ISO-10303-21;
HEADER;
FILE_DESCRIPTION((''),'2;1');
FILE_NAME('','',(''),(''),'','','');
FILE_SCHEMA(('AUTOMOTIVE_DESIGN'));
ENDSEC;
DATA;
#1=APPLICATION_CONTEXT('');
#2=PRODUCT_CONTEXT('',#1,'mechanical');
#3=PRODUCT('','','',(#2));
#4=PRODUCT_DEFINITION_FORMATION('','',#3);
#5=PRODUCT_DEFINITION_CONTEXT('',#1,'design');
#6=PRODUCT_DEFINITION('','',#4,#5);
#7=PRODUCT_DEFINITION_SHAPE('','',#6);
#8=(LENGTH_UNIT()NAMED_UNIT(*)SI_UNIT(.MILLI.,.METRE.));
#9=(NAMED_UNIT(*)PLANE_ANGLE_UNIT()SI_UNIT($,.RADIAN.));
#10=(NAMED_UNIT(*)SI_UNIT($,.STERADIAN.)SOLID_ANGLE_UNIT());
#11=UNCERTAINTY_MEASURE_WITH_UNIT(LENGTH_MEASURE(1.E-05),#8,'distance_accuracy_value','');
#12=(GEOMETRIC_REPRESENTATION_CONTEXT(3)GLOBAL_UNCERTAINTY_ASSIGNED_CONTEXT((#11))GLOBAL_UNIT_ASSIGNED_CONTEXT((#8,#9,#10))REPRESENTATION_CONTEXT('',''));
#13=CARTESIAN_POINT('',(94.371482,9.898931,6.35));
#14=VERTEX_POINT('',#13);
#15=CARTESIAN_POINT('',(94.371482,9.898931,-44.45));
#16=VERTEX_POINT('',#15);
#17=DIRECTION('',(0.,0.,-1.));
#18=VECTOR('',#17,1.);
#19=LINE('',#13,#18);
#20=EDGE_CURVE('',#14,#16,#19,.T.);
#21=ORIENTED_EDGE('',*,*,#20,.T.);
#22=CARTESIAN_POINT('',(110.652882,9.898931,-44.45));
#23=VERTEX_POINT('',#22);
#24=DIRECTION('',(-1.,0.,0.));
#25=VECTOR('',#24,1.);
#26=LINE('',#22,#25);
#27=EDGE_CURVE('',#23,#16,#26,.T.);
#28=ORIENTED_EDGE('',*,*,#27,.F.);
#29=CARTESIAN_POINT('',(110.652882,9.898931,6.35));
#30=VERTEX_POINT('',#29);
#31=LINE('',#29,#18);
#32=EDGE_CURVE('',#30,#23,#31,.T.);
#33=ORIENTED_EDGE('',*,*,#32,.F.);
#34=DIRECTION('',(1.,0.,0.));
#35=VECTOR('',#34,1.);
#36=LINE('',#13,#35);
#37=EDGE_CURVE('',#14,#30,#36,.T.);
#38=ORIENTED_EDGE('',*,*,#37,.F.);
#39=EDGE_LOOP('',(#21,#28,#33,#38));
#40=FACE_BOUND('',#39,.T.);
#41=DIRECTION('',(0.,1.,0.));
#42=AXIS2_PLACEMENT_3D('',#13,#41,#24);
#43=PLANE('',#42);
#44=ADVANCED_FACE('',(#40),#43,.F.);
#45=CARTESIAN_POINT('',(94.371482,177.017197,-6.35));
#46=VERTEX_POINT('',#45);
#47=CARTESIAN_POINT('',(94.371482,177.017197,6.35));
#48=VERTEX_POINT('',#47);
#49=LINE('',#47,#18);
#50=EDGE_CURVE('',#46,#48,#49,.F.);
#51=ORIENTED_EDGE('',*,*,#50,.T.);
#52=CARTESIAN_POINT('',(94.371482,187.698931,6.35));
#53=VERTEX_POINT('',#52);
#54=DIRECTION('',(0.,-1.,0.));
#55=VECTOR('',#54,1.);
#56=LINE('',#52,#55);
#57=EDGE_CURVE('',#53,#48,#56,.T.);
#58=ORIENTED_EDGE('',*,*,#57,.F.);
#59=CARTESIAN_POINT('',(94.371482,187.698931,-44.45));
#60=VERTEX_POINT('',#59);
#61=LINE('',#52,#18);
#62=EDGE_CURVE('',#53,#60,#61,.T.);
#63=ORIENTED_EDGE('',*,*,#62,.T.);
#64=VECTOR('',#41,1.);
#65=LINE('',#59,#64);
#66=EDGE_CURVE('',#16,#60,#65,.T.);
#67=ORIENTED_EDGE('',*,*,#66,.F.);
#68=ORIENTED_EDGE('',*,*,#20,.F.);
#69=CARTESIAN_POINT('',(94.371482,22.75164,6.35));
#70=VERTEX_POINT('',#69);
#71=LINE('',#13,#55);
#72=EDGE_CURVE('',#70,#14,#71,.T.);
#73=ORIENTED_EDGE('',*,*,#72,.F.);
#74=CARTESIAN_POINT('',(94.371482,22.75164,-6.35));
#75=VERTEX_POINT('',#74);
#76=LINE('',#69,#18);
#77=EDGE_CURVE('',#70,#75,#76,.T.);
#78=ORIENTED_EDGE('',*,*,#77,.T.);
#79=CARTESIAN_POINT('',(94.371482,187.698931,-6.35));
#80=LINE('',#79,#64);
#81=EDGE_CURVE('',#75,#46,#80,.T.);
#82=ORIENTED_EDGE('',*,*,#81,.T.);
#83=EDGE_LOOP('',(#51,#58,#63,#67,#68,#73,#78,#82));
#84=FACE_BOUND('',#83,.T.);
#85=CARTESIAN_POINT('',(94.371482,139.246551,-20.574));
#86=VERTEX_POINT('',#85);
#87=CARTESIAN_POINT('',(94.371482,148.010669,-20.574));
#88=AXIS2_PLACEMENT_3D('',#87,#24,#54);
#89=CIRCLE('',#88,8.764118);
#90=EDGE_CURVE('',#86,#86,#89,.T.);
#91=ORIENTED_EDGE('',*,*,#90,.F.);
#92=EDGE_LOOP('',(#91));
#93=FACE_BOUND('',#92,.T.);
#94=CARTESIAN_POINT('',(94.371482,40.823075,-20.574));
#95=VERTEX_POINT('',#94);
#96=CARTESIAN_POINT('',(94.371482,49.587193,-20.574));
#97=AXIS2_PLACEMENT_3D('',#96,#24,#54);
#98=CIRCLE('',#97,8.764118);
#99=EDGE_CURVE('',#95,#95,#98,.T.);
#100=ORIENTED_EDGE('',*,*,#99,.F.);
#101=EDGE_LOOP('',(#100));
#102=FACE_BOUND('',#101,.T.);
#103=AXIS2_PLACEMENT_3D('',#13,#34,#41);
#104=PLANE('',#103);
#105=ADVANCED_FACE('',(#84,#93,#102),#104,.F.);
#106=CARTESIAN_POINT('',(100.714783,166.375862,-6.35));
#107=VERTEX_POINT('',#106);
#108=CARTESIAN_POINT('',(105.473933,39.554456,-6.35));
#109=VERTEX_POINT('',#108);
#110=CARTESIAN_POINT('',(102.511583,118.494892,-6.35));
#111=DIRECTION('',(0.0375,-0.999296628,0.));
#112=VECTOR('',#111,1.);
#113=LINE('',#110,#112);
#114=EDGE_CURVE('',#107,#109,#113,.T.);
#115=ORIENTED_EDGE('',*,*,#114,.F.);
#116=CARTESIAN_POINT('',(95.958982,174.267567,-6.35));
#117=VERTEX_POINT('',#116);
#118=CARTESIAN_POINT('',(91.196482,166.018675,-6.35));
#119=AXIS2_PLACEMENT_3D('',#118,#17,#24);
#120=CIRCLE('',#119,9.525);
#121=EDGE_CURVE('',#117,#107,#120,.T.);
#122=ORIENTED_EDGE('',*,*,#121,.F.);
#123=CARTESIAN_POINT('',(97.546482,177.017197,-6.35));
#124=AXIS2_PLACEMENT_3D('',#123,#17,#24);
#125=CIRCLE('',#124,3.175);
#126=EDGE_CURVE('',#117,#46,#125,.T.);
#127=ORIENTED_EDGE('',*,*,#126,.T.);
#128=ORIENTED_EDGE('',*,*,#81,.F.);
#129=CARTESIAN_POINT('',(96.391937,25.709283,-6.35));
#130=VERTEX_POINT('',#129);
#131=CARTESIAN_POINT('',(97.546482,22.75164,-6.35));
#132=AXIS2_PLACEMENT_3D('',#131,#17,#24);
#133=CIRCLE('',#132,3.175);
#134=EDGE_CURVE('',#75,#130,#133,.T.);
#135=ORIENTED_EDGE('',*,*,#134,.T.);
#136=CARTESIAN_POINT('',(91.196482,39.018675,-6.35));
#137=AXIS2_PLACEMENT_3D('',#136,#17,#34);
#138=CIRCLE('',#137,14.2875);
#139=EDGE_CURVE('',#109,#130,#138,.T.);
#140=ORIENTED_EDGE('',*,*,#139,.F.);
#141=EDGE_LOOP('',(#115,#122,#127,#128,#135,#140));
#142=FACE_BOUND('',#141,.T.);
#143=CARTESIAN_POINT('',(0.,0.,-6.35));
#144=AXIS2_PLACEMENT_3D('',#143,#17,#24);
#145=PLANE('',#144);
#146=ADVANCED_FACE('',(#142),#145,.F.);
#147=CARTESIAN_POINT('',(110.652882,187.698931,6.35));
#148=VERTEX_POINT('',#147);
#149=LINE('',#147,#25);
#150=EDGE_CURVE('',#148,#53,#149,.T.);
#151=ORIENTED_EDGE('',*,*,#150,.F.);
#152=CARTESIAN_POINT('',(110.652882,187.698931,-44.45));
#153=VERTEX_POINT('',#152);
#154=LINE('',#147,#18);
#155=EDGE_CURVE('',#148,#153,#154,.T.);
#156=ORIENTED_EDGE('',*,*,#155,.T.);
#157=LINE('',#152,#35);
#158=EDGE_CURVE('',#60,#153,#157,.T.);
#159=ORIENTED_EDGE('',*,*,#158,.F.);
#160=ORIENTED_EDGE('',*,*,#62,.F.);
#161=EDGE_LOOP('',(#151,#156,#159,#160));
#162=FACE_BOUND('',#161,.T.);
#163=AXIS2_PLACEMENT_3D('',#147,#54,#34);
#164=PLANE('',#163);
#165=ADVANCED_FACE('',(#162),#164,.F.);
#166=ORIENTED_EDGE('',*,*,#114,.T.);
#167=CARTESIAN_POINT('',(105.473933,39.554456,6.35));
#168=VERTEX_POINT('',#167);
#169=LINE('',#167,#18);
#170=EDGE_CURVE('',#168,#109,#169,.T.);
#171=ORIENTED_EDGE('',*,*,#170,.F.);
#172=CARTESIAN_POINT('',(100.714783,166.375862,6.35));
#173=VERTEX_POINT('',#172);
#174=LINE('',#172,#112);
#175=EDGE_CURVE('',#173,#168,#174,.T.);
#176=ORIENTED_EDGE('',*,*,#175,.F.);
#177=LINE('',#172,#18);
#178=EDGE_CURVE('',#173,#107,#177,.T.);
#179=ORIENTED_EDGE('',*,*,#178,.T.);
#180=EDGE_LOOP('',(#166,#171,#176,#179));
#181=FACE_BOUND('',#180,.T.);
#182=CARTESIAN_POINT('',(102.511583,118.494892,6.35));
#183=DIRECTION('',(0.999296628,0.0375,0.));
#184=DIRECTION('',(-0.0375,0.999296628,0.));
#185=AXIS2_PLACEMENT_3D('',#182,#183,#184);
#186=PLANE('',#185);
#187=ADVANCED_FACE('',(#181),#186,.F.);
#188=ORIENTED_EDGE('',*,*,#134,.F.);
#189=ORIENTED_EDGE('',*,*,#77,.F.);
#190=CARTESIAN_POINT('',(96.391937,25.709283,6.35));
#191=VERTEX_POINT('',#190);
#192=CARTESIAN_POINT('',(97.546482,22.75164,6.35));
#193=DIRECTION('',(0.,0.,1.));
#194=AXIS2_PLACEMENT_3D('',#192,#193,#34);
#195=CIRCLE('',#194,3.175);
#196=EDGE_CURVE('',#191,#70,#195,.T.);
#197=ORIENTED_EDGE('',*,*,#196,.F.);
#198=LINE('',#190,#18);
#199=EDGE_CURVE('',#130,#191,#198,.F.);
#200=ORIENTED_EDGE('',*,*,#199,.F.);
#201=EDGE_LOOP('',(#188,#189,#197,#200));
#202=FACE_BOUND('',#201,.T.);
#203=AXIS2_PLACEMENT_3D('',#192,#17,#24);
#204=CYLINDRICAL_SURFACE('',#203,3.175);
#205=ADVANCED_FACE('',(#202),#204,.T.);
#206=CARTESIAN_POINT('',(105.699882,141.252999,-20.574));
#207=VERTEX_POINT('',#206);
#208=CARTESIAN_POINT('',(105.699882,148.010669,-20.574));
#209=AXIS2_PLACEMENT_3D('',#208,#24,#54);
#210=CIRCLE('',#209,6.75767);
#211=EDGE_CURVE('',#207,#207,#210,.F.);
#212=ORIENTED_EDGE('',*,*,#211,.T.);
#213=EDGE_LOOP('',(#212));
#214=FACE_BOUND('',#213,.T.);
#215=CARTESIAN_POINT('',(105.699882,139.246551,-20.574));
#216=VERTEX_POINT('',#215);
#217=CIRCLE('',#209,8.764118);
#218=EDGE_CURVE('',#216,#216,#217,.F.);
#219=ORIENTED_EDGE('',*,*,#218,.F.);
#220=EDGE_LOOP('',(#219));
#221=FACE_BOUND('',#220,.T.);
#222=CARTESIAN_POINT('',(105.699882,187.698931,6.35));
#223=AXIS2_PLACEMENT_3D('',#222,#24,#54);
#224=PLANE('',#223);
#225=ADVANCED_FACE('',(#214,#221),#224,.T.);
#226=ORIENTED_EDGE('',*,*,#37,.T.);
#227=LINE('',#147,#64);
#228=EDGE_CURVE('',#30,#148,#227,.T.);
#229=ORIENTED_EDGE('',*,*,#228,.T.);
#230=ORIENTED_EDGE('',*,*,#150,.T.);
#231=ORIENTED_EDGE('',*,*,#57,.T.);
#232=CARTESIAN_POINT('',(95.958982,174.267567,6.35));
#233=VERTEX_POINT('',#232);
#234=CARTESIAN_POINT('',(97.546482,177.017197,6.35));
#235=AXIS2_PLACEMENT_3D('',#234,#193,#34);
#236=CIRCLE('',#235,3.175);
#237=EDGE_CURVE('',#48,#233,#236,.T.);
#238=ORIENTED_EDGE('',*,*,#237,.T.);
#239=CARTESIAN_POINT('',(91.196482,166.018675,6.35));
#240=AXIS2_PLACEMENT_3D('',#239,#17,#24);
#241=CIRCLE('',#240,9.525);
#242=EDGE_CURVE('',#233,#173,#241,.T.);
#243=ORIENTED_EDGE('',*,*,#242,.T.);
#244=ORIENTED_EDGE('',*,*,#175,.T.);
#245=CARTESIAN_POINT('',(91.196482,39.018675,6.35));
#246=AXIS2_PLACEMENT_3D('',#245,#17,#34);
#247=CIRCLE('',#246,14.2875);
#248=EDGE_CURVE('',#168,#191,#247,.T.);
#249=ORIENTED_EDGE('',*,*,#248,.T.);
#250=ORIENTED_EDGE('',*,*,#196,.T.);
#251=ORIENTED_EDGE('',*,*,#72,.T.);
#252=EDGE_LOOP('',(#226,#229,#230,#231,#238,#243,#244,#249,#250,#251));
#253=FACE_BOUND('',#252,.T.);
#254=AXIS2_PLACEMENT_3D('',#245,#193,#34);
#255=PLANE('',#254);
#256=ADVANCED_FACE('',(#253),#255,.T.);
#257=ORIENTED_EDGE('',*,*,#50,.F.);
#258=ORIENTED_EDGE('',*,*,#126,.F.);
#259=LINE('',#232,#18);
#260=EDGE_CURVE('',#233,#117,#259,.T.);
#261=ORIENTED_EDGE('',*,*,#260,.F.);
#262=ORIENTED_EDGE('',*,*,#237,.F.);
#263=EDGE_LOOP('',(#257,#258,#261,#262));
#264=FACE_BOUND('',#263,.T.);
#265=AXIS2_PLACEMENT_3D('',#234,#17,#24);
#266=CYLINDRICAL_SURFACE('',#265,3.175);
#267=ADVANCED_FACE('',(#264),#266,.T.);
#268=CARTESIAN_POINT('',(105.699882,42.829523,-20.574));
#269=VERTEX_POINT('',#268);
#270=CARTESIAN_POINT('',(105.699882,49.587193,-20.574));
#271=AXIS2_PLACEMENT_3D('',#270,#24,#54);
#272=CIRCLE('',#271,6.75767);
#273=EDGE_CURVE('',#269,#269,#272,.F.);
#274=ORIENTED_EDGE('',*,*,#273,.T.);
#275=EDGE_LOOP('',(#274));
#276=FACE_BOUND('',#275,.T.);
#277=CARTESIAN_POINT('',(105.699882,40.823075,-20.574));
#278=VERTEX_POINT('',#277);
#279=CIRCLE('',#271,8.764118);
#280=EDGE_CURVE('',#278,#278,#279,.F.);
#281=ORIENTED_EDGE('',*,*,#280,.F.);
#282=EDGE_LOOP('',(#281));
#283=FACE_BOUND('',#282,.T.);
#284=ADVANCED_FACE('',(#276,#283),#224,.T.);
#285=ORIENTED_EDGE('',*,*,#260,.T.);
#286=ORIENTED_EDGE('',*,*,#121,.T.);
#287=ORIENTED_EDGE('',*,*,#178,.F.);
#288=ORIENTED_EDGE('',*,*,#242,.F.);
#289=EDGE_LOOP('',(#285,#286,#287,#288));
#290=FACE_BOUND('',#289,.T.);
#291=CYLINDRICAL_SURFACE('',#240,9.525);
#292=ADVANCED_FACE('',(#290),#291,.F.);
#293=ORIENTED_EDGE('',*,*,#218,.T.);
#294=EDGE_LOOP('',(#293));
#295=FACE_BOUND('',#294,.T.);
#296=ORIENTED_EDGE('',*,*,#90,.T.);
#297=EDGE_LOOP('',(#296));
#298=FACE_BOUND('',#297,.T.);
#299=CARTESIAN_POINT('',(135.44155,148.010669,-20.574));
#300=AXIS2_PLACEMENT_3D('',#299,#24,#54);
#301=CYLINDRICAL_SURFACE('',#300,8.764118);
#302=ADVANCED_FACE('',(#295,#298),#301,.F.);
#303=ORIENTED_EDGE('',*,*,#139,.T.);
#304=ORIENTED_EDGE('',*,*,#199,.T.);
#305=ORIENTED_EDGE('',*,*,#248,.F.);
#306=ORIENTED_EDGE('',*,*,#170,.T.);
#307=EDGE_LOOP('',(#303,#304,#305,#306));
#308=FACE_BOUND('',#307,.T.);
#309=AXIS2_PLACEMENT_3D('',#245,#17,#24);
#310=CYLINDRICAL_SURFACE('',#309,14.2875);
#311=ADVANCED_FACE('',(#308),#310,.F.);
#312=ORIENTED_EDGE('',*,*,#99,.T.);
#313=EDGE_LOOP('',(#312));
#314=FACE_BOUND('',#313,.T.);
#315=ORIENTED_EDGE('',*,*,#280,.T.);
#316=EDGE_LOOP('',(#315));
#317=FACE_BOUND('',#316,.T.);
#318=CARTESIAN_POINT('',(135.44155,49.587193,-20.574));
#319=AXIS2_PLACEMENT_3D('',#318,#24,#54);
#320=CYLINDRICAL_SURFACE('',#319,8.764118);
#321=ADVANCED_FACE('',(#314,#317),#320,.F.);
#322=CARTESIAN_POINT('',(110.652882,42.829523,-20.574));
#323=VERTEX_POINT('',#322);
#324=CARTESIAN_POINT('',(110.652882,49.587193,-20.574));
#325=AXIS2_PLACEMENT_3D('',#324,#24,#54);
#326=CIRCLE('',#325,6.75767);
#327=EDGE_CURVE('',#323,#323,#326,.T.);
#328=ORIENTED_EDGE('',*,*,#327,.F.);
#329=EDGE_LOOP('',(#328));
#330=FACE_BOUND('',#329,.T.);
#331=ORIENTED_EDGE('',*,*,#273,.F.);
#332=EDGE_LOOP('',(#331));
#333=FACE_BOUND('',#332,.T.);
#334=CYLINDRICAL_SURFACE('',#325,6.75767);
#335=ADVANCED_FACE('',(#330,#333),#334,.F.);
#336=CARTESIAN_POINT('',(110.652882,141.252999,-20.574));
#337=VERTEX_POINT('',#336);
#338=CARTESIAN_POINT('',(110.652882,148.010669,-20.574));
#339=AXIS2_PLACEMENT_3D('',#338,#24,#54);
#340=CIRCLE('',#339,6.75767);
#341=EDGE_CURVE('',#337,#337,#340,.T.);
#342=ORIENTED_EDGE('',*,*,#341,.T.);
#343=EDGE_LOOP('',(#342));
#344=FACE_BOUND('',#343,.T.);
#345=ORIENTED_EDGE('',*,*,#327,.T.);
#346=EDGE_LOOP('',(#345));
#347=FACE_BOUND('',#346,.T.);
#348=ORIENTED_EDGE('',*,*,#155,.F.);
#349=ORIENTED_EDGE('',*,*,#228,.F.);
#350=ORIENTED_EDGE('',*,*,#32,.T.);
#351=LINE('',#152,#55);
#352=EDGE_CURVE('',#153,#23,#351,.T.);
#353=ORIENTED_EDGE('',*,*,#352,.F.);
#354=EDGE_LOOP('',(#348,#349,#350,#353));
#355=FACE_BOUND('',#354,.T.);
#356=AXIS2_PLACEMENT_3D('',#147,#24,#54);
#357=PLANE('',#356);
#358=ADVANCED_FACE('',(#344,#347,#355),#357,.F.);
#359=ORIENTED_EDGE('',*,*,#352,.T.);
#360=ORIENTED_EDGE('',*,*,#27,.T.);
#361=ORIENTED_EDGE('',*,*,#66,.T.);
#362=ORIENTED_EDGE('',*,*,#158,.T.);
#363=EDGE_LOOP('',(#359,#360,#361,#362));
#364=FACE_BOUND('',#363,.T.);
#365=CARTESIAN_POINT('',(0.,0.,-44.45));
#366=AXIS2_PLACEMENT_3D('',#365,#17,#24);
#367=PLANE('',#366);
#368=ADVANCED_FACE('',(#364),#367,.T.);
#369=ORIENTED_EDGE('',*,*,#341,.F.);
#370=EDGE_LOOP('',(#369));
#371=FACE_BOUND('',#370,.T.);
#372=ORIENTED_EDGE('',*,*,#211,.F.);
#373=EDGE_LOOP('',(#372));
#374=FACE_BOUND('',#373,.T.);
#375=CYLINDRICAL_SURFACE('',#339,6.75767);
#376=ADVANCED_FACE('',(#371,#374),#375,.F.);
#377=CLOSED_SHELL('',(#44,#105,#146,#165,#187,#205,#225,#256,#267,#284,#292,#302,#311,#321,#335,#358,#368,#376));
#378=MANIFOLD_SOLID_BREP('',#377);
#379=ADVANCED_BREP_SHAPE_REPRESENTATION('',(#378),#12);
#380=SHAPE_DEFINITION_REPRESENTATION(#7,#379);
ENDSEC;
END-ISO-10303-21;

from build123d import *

# Parameters (mm, degrees)
BOSS_EXTRUDE1_DEPTH = 6.35
SKETCH3_W           = 16.2814
SKETCH3_H           = 177.8
BOSS_EXTRUDE2_DEPTH = 38.1
SKETCH5_R           = 6.75767
CUT_EXTRUDE1_DEPTH  = 194.57627713
SKETCH6_R           = 8.7641176
CUT_EXTRUDE2_DEPTH  = 11.3284
FILLET1_R           = 3.175


with BuildPart() as part:
    # Sketch1 → Boss-Extrude1 (new, symmetric)
    with BuildSketch(Plane.XY):
        with BuildLine():
            Line((110.652882407, 187.698930688), (94.371482407, 187.698930688))
            Line((94.371482407, 187.698930688), (94.371482407, 174.998930688))
            ThreePointArc((94.371482407, 174.998930688), (98.86911538, 171.662815624), (100.714782785, 166.375862067))
            Line((100.714782785, 166.375862067), (102.511582984, 118.494891962))
            Line((102.511582984, 118.494891962), (105.473932974, 39.554455817))
            ThreePointArc((105.473932974, 39.554455817), (102.530659302, 30.319876353), (94.371482407, 25.088418602))
            Line((94.371482407, 25.088418602), (94.371482407, 9.898930688))
            Line((94.371482407, 9.898930688), (110.652882407, 9.898930688))
            Line((110.652882407, 9.898930688), (110.652882407, 187.698930688))
        make_face()
    extrude(amount=BOSS_EXTRUDE1_DEPTH, both=True)

    # Sketch3 → Boss-Extrude2 (add)
    with BuildSketch(Plane(origin=(0, 0, -6.35), x_dir=(-1, 0, 0), z_dir=(0, 0, -1))):
        with Locations((-102.512182407, 98.798930688)):
            Rectangle(SKETCH3_W, SKETCH3_H)
    extrude(amount=BOSS_EXTRUDE2_DEPTH)

    # Sketch5 → Cut-Extrude1 (cut, through all)
    with BuildSketch(Plane.ZY.offset(-94.371482407)):
        with Locations(Location((-20.574, 148.010668688, 0), (0, 0, 270))):
            Circle(SKETCH5_R)
        with Locations(Location((-20.574, 49.587192688, 0), (0, 0, 270))):
            Circle(SKETCH5_R)
    extrude(amount=-CUT_EXTRUDE1_DEPTH, mode=Mode.SUBTRACT)

    # Sketch6 → Cut-Extrude2 (cut)
    with BuildSketch(Plane.ZY.offset(-94.371482407)):
        with Locations(Location((-20.574, 148.010668688, 0), (0, 0, 270))):
            Circle(SKETCH6_R)
        with Locations(Location((-20.574, 49.587192688, 0), (0, 0, 270))):
            Circle(SKETCH6_R)
    extrude(amount=-CUT_EXTRUDE2_DEPTH, mode=Mode.SUBTRACT)

    # Fillet1
    fillet1_edges = [part.edges().sort_by_distance(p)[0] for p in [
        (94.371482407, 25.088418602, 0),
        (94.371482407, 174.998930688, 0),
    ]]
    fillet(fillet1_edges, radius=FILLET1_R)


solid = part.part
